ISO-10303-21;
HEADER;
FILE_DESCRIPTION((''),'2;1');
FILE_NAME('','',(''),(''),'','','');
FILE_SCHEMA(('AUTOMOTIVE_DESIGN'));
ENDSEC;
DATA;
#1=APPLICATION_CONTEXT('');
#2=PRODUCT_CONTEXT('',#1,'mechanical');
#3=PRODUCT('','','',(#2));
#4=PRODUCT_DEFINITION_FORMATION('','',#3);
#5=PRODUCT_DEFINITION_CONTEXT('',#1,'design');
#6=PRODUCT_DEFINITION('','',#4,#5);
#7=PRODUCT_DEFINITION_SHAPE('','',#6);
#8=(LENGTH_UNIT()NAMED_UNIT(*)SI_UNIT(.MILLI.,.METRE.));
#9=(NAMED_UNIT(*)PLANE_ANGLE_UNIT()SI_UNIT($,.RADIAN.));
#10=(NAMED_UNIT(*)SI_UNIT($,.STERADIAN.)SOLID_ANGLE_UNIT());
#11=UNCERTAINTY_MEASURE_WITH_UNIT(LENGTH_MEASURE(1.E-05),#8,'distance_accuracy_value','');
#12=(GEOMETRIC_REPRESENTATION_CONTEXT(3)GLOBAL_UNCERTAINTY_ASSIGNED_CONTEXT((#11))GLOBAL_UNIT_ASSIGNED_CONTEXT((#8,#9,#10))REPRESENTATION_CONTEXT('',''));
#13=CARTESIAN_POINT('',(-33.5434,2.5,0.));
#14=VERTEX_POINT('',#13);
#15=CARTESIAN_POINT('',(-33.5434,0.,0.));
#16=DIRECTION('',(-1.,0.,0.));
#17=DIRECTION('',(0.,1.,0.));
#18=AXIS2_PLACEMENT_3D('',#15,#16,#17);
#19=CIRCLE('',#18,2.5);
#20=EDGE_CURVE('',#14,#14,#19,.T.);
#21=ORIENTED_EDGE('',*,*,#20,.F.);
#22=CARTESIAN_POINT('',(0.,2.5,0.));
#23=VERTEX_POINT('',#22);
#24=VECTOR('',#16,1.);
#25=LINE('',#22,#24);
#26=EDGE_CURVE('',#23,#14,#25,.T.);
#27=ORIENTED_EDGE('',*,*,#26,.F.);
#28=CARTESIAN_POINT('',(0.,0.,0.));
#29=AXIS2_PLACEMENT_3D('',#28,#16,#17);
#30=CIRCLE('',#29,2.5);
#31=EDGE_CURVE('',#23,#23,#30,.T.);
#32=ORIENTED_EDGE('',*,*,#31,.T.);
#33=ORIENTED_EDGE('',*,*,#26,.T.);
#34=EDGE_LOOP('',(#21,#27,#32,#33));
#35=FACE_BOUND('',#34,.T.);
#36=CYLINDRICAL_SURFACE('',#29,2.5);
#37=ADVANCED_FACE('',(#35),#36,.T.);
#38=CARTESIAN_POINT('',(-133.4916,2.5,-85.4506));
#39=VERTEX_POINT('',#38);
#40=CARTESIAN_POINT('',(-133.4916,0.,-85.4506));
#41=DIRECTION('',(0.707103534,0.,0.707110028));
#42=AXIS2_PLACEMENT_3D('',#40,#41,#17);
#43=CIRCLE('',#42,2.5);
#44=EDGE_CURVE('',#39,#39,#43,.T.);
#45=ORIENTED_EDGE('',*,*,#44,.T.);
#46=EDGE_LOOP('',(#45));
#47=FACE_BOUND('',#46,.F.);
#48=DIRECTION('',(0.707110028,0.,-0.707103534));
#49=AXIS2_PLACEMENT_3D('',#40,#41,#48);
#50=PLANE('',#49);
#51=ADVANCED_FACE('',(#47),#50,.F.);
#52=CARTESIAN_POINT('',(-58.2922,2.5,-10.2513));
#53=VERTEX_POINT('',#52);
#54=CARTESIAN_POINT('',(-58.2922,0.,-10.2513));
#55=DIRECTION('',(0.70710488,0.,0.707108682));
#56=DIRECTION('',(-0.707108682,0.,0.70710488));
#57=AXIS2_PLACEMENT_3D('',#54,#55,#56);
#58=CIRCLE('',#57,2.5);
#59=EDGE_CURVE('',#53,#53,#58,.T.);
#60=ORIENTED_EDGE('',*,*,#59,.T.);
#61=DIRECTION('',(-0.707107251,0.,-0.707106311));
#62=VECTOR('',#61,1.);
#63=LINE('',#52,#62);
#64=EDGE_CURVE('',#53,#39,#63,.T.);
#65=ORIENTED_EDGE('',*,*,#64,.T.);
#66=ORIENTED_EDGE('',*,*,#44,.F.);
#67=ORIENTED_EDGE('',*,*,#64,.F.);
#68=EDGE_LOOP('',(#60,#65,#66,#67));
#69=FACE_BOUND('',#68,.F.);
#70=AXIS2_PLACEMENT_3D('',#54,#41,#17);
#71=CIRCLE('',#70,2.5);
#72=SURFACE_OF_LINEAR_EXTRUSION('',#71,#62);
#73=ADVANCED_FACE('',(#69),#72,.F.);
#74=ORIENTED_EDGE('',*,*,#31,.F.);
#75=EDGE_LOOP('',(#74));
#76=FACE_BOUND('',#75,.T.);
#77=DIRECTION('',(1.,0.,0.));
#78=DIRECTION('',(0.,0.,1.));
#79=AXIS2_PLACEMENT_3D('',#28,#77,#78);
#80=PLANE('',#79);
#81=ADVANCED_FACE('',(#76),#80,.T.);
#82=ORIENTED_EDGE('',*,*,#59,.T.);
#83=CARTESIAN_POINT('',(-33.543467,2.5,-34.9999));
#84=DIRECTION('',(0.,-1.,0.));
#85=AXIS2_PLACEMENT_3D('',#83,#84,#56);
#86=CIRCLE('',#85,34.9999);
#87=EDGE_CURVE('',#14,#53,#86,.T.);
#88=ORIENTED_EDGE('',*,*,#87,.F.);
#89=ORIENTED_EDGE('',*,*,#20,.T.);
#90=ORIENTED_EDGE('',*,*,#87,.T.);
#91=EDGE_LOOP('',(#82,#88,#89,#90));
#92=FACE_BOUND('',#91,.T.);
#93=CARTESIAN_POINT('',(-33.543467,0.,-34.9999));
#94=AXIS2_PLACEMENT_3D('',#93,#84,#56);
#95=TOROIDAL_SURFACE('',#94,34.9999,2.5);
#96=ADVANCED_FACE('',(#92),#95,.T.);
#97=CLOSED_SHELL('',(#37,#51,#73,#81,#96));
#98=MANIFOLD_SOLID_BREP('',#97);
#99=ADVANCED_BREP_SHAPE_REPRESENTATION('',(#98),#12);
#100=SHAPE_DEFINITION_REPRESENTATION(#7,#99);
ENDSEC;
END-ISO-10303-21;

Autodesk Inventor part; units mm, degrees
ref_plane "YZ Plane" through (0, 0, 0) normal (1, 0, 0) x (0, 1, 0)
ref_plane "XZ Plane" through (0, 0, 0) normal (0, 1, 0) x (-1, 0, 0)
ref_plane "XY Plane" through (0, 0, 0) normal (0, 0, 1) x (1, 0, 0)
sketch "Sketch1" plane through (0, 0, 0) normal (0, 1, 0) x (-1, 0, 0)
  line L0 (0, 0) -> (33.5434, 0)
  line L1 (60, 0) -> (29.825, 0) construction
  arc A0 (20.1723, -0.0304) -> (19.825, 0) centre (19.825, -2) ccw
  line L2 (58.2922, -10.2513) -> (133.4916, -85.4506)
  line L3 (62.7809, -14.74) -> (169.1289, -14.74) construction
  arc A1 (58.2922, -10.2513) -> (33.5434, 0) centre (33.5434, -35) ccw
  point P0 (16.6863, 0)
  dimension "d0" = 60
  dimension "d1" = 15
  dimension "d5" = 2
  dimension "d12" = 100
  dimension "d13" = 45
  dimension "d14" = 35
sketch "Sketch2" plane through (0, 0, 0) normal (1, 0, 0) x (0, 1, 0)
  circle A0 centre (0, 0) radius 2.5
  dimension "d9" = 5
sweep "Sweep1" add profiles "Sketch2" path "Sketch1" path curves L0 A1 L2
properties part number "cable"
